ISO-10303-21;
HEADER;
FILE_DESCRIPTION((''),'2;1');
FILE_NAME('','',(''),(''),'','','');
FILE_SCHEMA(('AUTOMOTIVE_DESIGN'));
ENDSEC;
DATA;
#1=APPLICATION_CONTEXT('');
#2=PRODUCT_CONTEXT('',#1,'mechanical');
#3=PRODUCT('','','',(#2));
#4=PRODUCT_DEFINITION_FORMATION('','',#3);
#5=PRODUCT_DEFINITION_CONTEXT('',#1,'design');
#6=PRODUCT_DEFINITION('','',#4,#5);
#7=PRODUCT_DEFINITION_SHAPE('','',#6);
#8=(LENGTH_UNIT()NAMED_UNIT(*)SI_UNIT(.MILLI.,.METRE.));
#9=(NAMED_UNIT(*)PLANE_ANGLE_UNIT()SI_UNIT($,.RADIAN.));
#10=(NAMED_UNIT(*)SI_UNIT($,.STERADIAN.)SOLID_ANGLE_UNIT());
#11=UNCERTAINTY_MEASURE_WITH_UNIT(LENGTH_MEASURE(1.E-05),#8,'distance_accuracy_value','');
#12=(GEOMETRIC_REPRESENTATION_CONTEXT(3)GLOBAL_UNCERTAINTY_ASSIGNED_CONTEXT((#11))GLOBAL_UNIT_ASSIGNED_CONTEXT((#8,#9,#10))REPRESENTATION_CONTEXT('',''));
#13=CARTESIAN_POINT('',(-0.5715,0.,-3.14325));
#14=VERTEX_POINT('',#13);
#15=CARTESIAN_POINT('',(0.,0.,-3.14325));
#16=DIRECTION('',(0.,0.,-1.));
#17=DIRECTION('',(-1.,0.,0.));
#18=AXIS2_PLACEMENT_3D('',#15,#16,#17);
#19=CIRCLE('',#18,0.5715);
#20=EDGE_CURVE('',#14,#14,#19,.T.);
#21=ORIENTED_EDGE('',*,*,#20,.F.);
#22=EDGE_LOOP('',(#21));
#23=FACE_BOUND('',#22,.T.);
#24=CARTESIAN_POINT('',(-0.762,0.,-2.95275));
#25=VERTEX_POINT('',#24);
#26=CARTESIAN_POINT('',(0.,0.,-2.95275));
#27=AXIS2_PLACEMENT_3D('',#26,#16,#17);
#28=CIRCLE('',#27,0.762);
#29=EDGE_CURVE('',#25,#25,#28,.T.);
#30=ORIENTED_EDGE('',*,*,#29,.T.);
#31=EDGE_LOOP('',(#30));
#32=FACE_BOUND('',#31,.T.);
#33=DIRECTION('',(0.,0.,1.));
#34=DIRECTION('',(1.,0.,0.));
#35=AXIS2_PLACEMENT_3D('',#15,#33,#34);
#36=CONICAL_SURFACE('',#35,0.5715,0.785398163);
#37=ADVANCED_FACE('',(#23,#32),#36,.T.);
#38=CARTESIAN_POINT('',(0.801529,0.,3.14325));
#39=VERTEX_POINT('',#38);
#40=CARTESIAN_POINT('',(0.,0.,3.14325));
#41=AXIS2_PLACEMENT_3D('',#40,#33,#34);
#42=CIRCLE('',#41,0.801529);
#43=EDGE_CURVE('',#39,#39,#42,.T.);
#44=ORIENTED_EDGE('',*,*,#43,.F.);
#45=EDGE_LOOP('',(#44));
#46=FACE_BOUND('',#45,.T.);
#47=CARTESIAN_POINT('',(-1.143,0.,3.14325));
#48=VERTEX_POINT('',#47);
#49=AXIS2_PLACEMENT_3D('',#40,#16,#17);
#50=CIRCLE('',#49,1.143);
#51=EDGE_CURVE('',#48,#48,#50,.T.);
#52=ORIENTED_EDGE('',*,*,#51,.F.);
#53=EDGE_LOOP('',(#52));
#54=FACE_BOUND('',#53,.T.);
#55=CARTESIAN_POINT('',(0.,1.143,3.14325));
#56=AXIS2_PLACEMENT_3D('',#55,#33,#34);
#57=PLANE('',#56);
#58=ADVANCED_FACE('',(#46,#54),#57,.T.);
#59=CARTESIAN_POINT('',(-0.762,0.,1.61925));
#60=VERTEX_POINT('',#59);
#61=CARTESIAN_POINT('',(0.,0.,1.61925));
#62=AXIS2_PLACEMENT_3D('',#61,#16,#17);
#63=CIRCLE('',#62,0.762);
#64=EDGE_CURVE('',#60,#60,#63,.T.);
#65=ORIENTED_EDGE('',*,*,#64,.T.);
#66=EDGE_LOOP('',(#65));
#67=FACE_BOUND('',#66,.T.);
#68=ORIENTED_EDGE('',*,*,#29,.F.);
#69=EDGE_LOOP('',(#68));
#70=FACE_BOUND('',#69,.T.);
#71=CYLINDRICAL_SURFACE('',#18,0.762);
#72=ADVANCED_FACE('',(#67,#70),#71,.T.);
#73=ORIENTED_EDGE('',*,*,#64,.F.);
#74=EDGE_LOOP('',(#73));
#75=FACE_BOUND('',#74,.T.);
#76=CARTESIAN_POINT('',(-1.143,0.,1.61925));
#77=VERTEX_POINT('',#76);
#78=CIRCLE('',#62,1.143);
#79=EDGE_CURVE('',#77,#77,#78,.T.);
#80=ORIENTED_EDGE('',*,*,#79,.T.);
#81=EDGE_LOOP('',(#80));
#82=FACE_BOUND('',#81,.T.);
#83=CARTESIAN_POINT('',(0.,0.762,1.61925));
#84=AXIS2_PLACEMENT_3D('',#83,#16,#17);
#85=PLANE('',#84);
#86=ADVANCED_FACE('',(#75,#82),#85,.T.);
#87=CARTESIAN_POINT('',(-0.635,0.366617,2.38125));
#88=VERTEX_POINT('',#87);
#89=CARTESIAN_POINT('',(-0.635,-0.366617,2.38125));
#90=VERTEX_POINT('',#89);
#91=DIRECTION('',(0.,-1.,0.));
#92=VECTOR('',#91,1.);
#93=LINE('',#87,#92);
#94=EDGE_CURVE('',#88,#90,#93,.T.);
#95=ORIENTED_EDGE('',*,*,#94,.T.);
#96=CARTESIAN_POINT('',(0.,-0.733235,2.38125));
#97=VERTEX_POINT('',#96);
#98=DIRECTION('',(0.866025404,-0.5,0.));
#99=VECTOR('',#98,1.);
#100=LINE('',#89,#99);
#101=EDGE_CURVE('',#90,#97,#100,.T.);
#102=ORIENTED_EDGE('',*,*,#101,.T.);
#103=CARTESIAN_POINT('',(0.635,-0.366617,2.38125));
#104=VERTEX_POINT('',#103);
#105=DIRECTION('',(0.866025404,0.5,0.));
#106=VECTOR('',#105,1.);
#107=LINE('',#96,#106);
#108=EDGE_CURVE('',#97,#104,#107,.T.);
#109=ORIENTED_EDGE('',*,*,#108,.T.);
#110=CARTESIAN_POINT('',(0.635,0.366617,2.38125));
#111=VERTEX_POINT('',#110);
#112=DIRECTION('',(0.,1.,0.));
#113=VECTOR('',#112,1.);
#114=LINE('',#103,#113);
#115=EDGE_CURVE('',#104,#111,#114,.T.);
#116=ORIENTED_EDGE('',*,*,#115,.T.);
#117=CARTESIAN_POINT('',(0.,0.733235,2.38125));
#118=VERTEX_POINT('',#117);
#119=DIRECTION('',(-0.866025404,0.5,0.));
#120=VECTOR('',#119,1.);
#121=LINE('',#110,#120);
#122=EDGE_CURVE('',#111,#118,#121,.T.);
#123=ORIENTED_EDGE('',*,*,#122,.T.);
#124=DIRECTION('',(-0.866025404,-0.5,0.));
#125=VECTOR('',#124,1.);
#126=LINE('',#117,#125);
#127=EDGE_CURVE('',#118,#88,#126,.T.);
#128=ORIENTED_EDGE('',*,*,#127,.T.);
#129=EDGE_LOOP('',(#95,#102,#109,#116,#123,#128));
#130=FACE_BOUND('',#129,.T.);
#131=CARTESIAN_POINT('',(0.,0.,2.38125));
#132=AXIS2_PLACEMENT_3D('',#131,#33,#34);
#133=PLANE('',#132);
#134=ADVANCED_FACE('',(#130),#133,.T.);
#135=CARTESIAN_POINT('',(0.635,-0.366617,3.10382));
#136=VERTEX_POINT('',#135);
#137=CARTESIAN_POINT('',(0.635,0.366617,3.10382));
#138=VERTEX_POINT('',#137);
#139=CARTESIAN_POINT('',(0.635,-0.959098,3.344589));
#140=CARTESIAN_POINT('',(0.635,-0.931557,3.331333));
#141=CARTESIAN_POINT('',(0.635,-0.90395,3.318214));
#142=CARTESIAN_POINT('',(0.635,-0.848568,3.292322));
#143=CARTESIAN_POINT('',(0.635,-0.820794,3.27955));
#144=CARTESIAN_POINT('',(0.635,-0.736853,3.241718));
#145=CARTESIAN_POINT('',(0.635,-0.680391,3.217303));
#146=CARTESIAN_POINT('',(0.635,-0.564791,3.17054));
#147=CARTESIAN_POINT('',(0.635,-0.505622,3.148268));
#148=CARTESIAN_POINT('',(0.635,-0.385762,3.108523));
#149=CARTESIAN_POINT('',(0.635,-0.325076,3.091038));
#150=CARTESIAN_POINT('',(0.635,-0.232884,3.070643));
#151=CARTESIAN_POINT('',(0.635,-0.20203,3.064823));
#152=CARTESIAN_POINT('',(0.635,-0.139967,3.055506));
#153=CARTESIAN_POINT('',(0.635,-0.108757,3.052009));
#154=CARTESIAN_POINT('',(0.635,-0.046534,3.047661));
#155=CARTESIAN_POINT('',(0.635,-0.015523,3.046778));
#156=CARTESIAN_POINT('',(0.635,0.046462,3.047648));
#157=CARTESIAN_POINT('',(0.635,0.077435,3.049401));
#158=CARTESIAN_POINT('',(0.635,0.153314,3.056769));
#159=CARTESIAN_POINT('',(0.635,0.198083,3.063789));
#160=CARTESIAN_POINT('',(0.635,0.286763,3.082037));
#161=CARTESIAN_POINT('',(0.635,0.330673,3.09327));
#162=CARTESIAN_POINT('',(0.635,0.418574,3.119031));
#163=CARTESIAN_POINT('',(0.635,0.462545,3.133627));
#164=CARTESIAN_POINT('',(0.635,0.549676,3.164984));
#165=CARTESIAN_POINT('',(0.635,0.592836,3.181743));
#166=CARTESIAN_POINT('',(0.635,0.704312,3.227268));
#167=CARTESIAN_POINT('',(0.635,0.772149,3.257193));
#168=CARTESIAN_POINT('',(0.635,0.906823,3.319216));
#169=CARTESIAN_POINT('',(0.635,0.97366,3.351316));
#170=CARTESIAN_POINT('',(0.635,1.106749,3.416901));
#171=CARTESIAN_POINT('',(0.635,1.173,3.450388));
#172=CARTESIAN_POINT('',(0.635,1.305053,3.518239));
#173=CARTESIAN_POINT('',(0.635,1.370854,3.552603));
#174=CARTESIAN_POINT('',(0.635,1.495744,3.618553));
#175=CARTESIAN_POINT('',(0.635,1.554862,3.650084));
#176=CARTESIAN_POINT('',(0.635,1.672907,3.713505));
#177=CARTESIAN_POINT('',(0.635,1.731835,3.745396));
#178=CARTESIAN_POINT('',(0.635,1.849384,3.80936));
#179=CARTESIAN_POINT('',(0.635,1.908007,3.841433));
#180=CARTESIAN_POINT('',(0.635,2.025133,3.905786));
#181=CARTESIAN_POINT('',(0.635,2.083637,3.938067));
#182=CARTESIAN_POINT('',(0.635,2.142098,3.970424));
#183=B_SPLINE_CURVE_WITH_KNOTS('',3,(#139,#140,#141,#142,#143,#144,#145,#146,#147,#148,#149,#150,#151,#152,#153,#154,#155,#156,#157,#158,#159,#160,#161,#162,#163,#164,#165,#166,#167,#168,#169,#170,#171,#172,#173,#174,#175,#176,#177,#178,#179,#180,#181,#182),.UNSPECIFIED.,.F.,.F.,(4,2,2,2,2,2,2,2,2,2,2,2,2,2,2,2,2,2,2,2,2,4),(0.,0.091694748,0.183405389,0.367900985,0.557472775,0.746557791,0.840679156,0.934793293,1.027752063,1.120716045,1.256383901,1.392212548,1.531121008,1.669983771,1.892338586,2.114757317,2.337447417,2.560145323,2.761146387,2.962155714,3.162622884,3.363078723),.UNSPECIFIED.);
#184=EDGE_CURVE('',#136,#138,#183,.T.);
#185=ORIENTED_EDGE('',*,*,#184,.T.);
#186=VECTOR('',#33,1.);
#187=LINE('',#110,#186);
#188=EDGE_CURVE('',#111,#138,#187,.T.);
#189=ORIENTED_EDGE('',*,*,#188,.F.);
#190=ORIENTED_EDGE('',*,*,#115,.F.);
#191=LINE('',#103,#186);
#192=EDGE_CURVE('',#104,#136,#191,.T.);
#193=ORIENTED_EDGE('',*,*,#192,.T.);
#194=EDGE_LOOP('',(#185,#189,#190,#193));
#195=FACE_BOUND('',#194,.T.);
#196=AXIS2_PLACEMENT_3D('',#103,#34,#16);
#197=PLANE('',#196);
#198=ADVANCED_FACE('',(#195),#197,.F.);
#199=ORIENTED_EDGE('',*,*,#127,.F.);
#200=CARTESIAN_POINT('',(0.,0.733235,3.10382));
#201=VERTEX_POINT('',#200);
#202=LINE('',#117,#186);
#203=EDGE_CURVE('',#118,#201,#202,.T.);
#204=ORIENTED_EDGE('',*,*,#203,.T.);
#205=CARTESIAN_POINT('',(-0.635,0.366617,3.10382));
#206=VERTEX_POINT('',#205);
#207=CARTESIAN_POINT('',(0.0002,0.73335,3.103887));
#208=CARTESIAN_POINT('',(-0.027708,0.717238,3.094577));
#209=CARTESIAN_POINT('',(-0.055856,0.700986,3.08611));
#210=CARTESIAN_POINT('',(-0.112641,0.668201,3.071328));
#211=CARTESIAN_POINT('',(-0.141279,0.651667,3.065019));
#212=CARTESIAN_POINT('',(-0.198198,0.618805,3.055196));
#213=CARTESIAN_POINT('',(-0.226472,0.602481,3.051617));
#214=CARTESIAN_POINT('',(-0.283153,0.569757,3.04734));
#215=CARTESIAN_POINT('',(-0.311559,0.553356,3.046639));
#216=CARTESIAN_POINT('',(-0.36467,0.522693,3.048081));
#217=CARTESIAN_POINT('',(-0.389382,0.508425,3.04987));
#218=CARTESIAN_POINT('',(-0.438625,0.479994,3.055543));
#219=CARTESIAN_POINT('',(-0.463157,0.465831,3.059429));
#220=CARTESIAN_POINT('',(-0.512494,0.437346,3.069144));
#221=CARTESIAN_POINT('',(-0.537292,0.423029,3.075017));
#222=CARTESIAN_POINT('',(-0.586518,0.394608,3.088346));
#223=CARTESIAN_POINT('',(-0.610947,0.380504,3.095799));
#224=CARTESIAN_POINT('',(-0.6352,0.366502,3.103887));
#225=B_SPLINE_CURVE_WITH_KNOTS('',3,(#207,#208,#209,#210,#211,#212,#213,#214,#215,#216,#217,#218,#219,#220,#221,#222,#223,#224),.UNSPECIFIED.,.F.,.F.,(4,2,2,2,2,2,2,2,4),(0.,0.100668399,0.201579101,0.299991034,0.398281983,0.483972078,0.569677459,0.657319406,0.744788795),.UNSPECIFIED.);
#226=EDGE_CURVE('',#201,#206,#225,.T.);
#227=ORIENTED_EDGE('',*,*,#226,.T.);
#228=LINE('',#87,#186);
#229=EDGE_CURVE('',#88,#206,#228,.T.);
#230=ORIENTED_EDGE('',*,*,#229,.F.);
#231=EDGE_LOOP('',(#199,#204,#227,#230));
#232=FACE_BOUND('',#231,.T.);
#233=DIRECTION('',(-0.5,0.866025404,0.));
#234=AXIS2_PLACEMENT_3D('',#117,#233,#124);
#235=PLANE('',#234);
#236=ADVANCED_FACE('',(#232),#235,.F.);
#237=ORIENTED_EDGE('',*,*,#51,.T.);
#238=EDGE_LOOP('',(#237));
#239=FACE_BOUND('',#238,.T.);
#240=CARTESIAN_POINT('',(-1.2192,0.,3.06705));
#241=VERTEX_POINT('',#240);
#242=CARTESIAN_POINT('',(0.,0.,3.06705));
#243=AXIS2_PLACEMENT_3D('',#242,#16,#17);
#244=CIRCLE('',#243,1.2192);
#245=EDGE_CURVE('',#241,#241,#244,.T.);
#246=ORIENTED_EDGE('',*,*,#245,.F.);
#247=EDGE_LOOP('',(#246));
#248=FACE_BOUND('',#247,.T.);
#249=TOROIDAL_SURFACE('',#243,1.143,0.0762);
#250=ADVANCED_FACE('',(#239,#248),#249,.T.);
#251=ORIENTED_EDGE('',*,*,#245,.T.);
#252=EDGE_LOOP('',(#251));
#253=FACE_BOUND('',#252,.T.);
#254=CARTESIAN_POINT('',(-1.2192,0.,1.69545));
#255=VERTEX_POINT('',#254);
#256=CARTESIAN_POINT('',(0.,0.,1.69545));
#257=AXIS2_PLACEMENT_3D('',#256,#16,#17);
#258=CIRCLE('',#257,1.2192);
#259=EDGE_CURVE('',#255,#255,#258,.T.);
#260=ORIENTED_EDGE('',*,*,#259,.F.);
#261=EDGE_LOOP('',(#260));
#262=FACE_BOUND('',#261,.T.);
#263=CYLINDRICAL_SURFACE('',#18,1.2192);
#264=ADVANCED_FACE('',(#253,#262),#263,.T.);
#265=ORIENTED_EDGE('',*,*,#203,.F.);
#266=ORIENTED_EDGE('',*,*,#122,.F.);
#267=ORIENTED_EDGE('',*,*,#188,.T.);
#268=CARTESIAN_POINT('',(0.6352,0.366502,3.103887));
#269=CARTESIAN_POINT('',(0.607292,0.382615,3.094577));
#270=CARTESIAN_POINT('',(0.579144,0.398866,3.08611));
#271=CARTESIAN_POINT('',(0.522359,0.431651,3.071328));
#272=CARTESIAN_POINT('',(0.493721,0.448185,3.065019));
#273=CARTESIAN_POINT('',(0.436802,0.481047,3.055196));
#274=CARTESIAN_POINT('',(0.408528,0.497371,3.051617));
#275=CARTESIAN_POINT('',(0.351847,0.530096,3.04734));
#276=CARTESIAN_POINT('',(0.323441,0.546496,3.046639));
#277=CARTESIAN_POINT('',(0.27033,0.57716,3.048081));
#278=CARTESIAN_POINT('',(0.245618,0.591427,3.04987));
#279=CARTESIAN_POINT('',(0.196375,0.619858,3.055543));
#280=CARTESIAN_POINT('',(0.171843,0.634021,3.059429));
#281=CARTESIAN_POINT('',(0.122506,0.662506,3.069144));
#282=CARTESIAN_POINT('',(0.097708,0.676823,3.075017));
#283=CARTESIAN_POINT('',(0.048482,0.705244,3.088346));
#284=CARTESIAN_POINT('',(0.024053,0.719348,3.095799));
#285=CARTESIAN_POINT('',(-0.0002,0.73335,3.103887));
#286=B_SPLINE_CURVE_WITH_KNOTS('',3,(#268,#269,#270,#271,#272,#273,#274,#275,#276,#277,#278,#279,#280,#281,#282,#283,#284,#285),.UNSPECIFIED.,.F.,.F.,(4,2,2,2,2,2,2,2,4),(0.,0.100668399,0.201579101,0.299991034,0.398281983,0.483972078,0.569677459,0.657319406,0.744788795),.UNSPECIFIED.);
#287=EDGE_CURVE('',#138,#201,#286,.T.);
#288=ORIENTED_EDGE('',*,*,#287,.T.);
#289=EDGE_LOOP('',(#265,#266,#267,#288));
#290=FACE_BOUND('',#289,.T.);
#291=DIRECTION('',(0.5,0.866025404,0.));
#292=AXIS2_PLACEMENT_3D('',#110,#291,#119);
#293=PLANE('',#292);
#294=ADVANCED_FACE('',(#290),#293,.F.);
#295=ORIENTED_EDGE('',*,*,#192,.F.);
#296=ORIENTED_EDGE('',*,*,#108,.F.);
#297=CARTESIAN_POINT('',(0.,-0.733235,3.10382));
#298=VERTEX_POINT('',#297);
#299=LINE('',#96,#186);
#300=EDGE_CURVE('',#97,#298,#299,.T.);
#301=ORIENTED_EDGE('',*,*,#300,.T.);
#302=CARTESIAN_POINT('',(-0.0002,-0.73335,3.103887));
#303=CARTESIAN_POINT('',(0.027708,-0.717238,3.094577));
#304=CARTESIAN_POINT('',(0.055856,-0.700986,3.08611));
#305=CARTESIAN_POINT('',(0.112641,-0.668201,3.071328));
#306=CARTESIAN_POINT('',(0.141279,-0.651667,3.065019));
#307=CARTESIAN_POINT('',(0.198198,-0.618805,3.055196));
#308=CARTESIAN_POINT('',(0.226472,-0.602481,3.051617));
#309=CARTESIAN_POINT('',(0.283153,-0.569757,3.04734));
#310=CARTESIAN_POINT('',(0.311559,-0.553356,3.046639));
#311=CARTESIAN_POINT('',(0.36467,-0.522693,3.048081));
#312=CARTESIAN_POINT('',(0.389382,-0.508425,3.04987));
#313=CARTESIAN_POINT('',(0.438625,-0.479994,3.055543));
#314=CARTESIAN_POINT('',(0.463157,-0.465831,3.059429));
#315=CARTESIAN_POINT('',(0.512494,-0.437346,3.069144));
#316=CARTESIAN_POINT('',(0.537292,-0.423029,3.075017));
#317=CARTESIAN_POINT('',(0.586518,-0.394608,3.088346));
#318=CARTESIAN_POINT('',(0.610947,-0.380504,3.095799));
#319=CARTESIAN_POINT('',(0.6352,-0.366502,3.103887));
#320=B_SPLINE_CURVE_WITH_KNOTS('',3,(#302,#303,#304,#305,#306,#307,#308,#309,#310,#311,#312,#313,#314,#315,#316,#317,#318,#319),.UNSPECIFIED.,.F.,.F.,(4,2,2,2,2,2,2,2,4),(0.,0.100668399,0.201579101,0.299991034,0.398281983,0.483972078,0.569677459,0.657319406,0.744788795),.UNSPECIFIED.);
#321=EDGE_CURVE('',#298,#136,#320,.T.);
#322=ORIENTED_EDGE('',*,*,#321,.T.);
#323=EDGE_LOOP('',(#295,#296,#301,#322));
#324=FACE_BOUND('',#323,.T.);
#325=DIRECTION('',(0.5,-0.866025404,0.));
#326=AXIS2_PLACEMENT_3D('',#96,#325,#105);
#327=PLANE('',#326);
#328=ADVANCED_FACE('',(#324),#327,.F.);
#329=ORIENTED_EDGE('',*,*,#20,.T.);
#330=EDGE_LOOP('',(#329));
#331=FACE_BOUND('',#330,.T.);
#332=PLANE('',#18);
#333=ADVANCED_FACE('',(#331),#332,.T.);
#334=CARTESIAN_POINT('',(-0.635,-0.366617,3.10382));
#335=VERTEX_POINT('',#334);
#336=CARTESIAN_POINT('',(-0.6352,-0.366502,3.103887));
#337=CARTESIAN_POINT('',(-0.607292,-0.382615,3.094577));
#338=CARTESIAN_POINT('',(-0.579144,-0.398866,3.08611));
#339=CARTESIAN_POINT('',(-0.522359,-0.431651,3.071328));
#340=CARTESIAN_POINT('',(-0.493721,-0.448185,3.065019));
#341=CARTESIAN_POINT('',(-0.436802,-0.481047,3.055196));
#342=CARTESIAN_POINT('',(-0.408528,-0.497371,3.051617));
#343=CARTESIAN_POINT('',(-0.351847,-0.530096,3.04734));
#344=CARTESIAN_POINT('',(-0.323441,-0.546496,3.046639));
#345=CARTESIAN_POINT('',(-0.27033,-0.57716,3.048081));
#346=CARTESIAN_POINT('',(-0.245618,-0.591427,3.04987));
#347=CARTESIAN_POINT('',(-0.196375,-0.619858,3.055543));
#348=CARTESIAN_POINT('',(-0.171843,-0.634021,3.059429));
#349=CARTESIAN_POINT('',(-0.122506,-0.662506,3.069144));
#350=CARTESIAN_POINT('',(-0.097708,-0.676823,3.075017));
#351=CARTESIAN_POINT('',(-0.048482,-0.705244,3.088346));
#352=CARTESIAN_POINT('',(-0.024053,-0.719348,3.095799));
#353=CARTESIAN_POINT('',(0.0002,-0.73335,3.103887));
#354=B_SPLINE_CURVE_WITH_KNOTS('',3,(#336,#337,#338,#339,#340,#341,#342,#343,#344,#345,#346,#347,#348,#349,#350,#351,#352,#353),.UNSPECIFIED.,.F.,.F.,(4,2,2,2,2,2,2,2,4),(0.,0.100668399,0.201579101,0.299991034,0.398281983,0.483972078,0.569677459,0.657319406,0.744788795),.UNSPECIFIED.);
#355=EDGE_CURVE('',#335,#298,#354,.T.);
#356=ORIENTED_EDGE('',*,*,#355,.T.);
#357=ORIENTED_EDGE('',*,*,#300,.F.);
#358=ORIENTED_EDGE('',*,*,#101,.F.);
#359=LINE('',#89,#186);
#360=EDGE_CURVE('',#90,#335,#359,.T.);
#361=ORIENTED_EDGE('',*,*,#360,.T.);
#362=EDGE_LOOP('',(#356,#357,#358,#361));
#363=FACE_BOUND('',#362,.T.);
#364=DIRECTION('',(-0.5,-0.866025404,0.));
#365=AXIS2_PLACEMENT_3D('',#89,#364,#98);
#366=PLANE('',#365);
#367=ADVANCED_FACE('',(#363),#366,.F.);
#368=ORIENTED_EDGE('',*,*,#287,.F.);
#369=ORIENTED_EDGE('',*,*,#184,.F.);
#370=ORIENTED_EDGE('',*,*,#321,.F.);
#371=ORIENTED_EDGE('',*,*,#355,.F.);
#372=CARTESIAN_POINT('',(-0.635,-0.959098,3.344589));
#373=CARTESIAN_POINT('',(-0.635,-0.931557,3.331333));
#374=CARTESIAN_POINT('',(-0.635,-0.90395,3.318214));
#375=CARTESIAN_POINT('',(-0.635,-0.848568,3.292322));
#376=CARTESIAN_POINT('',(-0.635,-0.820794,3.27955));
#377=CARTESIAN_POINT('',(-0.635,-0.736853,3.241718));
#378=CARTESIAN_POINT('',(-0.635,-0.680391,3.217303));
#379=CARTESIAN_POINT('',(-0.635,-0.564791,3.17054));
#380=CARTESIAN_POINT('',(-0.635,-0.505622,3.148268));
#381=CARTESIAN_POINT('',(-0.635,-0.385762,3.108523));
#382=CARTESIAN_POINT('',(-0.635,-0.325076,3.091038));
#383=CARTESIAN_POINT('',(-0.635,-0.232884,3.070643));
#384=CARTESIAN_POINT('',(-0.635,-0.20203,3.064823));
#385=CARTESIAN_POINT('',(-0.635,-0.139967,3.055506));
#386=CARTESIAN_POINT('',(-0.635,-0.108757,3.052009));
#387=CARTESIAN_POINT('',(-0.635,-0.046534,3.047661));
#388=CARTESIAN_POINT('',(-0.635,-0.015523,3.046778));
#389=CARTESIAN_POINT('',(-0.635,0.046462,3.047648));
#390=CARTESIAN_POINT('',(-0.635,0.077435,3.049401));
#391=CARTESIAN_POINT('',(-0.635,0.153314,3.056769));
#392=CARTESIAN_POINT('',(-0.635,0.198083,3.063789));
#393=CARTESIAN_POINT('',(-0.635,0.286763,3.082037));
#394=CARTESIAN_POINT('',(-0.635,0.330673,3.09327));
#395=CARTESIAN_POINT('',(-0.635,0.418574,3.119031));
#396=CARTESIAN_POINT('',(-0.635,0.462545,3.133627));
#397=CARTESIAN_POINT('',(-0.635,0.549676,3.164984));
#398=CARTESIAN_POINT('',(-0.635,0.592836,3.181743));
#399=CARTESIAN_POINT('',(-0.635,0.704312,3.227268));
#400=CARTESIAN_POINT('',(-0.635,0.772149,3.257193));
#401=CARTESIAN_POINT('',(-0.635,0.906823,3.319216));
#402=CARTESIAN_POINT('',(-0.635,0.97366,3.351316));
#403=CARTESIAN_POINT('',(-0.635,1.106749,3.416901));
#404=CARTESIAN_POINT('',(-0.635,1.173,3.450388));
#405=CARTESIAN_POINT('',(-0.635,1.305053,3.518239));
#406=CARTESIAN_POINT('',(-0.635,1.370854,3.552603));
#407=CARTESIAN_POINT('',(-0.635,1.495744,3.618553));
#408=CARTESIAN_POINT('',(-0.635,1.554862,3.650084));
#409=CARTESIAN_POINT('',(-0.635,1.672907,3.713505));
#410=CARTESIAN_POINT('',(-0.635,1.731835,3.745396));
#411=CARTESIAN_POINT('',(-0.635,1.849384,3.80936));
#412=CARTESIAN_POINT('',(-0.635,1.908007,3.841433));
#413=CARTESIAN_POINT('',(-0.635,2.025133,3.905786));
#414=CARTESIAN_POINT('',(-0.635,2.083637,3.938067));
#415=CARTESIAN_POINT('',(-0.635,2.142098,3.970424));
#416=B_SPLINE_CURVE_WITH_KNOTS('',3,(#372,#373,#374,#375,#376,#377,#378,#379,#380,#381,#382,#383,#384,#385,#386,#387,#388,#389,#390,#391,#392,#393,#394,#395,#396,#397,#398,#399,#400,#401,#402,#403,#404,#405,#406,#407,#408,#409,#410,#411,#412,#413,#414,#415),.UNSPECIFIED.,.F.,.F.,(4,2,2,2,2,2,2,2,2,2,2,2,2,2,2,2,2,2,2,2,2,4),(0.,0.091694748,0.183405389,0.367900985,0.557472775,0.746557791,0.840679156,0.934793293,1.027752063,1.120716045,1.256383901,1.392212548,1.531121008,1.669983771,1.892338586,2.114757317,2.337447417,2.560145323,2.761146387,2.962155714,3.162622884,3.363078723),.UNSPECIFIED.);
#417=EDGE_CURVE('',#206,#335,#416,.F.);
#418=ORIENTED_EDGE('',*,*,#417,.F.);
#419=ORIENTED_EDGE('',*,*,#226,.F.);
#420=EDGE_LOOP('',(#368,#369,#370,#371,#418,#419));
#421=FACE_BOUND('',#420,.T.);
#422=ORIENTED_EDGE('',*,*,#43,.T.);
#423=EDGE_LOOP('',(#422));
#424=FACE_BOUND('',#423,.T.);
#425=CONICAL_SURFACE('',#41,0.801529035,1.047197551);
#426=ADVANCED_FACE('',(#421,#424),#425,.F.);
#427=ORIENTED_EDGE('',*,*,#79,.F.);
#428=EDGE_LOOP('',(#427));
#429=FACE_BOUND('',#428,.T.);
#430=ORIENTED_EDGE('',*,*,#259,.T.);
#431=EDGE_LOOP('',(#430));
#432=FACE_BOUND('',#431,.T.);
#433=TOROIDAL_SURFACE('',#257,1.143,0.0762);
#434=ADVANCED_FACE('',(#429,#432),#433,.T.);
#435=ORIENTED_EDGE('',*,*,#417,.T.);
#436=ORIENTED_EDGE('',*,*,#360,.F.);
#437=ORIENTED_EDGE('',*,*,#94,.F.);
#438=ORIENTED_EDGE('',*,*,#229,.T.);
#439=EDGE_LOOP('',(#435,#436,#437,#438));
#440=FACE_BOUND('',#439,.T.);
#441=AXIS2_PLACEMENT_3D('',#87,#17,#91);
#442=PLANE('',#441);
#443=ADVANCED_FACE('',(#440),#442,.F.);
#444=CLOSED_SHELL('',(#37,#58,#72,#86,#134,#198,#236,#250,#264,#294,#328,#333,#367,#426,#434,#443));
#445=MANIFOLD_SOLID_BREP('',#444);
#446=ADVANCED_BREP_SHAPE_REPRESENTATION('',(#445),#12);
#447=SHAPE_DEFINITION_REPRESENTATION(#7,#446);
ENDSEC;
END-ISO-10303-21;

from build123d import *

# Parameters (mm, degrees)
CUT_EXTRUDE1_START = 3.14325
CUT_EXTRUDE1_DEPTH = 0.762


with BuildPart() as part:
    # Sketch2 → Revolve1 (revolve)
    with BuildSketch(Plane(origin=(0, 0, 0), x_dir=(0, 0, -1), z_dir=(1, 0, 0)), mode=Mode.PRIVATE) as revolve1_sk:
        with BuildLine():
            Line((3.14325, 0), (3.14325, 0.5715))
            Line((3.14325, 0.5715), (2.95275, 0.762))
            Line((2.95275, 0.762), (-1.61925, 0.762))
            Line((-1.61925, 0.762), (-1.61925, 1.143))
            ThreePointArc((-1.61925, 1.143), (-1.641568463, 1.196881537), (-1.69545, 1.2192))
            Line((-1.69545, 1.2192), (-3.06705, 1.2192))
            ThreePointArc((-3.06705, 1.2192), (-3.120931537, 1.196881537), (-3.14325, 1.143))
            Line((-3.14325, 1.143), (-3.14325, 0))
            Line((-3.14325, 0), (3.14325, 0))
        make_face()
    revolve(revolve1_sk.sketch.rotate(Axis((0, 0, -3.14325), (0, 0, 1)), 90), axis=Axis((0, 0, -3.14325), (0, 0, 1)))

    # Sketch3 → Cut-Extrude1 (cut)
    with BuildSketch(Plane.XY.offset(CUT_EXTRUDE1_START)):
        Polygon((-0.635, 0.366617421), (-0.635, -0.366617421), (0, -0.733234842), (0.635, -0.366617421), (0.635, 0.366617421), (0, 0.733234842), align=None)
    extrude(amount=-CUT_EXTRUDE1_DEPTH, mode=Mode.SUBTRACT)

    # Cut-Extrude2 cone 1 section (through the dimple's axis) → Cut-Extrude2 (revolve, cut)
    with BuildSketch(Plane(origin=(0, 0, 3.14325), x_dir=(0, -1, 0), z_dir=(1, 0, 0))):
        Polygon((0, 0), (0.801529035, 0), (0, 0.462763004), align=None)
    revolve(axis=Axis((0, 0, 3.14325), (0, 0, -1)), mode=Mode.SUBTRACT)


solid = part.part
